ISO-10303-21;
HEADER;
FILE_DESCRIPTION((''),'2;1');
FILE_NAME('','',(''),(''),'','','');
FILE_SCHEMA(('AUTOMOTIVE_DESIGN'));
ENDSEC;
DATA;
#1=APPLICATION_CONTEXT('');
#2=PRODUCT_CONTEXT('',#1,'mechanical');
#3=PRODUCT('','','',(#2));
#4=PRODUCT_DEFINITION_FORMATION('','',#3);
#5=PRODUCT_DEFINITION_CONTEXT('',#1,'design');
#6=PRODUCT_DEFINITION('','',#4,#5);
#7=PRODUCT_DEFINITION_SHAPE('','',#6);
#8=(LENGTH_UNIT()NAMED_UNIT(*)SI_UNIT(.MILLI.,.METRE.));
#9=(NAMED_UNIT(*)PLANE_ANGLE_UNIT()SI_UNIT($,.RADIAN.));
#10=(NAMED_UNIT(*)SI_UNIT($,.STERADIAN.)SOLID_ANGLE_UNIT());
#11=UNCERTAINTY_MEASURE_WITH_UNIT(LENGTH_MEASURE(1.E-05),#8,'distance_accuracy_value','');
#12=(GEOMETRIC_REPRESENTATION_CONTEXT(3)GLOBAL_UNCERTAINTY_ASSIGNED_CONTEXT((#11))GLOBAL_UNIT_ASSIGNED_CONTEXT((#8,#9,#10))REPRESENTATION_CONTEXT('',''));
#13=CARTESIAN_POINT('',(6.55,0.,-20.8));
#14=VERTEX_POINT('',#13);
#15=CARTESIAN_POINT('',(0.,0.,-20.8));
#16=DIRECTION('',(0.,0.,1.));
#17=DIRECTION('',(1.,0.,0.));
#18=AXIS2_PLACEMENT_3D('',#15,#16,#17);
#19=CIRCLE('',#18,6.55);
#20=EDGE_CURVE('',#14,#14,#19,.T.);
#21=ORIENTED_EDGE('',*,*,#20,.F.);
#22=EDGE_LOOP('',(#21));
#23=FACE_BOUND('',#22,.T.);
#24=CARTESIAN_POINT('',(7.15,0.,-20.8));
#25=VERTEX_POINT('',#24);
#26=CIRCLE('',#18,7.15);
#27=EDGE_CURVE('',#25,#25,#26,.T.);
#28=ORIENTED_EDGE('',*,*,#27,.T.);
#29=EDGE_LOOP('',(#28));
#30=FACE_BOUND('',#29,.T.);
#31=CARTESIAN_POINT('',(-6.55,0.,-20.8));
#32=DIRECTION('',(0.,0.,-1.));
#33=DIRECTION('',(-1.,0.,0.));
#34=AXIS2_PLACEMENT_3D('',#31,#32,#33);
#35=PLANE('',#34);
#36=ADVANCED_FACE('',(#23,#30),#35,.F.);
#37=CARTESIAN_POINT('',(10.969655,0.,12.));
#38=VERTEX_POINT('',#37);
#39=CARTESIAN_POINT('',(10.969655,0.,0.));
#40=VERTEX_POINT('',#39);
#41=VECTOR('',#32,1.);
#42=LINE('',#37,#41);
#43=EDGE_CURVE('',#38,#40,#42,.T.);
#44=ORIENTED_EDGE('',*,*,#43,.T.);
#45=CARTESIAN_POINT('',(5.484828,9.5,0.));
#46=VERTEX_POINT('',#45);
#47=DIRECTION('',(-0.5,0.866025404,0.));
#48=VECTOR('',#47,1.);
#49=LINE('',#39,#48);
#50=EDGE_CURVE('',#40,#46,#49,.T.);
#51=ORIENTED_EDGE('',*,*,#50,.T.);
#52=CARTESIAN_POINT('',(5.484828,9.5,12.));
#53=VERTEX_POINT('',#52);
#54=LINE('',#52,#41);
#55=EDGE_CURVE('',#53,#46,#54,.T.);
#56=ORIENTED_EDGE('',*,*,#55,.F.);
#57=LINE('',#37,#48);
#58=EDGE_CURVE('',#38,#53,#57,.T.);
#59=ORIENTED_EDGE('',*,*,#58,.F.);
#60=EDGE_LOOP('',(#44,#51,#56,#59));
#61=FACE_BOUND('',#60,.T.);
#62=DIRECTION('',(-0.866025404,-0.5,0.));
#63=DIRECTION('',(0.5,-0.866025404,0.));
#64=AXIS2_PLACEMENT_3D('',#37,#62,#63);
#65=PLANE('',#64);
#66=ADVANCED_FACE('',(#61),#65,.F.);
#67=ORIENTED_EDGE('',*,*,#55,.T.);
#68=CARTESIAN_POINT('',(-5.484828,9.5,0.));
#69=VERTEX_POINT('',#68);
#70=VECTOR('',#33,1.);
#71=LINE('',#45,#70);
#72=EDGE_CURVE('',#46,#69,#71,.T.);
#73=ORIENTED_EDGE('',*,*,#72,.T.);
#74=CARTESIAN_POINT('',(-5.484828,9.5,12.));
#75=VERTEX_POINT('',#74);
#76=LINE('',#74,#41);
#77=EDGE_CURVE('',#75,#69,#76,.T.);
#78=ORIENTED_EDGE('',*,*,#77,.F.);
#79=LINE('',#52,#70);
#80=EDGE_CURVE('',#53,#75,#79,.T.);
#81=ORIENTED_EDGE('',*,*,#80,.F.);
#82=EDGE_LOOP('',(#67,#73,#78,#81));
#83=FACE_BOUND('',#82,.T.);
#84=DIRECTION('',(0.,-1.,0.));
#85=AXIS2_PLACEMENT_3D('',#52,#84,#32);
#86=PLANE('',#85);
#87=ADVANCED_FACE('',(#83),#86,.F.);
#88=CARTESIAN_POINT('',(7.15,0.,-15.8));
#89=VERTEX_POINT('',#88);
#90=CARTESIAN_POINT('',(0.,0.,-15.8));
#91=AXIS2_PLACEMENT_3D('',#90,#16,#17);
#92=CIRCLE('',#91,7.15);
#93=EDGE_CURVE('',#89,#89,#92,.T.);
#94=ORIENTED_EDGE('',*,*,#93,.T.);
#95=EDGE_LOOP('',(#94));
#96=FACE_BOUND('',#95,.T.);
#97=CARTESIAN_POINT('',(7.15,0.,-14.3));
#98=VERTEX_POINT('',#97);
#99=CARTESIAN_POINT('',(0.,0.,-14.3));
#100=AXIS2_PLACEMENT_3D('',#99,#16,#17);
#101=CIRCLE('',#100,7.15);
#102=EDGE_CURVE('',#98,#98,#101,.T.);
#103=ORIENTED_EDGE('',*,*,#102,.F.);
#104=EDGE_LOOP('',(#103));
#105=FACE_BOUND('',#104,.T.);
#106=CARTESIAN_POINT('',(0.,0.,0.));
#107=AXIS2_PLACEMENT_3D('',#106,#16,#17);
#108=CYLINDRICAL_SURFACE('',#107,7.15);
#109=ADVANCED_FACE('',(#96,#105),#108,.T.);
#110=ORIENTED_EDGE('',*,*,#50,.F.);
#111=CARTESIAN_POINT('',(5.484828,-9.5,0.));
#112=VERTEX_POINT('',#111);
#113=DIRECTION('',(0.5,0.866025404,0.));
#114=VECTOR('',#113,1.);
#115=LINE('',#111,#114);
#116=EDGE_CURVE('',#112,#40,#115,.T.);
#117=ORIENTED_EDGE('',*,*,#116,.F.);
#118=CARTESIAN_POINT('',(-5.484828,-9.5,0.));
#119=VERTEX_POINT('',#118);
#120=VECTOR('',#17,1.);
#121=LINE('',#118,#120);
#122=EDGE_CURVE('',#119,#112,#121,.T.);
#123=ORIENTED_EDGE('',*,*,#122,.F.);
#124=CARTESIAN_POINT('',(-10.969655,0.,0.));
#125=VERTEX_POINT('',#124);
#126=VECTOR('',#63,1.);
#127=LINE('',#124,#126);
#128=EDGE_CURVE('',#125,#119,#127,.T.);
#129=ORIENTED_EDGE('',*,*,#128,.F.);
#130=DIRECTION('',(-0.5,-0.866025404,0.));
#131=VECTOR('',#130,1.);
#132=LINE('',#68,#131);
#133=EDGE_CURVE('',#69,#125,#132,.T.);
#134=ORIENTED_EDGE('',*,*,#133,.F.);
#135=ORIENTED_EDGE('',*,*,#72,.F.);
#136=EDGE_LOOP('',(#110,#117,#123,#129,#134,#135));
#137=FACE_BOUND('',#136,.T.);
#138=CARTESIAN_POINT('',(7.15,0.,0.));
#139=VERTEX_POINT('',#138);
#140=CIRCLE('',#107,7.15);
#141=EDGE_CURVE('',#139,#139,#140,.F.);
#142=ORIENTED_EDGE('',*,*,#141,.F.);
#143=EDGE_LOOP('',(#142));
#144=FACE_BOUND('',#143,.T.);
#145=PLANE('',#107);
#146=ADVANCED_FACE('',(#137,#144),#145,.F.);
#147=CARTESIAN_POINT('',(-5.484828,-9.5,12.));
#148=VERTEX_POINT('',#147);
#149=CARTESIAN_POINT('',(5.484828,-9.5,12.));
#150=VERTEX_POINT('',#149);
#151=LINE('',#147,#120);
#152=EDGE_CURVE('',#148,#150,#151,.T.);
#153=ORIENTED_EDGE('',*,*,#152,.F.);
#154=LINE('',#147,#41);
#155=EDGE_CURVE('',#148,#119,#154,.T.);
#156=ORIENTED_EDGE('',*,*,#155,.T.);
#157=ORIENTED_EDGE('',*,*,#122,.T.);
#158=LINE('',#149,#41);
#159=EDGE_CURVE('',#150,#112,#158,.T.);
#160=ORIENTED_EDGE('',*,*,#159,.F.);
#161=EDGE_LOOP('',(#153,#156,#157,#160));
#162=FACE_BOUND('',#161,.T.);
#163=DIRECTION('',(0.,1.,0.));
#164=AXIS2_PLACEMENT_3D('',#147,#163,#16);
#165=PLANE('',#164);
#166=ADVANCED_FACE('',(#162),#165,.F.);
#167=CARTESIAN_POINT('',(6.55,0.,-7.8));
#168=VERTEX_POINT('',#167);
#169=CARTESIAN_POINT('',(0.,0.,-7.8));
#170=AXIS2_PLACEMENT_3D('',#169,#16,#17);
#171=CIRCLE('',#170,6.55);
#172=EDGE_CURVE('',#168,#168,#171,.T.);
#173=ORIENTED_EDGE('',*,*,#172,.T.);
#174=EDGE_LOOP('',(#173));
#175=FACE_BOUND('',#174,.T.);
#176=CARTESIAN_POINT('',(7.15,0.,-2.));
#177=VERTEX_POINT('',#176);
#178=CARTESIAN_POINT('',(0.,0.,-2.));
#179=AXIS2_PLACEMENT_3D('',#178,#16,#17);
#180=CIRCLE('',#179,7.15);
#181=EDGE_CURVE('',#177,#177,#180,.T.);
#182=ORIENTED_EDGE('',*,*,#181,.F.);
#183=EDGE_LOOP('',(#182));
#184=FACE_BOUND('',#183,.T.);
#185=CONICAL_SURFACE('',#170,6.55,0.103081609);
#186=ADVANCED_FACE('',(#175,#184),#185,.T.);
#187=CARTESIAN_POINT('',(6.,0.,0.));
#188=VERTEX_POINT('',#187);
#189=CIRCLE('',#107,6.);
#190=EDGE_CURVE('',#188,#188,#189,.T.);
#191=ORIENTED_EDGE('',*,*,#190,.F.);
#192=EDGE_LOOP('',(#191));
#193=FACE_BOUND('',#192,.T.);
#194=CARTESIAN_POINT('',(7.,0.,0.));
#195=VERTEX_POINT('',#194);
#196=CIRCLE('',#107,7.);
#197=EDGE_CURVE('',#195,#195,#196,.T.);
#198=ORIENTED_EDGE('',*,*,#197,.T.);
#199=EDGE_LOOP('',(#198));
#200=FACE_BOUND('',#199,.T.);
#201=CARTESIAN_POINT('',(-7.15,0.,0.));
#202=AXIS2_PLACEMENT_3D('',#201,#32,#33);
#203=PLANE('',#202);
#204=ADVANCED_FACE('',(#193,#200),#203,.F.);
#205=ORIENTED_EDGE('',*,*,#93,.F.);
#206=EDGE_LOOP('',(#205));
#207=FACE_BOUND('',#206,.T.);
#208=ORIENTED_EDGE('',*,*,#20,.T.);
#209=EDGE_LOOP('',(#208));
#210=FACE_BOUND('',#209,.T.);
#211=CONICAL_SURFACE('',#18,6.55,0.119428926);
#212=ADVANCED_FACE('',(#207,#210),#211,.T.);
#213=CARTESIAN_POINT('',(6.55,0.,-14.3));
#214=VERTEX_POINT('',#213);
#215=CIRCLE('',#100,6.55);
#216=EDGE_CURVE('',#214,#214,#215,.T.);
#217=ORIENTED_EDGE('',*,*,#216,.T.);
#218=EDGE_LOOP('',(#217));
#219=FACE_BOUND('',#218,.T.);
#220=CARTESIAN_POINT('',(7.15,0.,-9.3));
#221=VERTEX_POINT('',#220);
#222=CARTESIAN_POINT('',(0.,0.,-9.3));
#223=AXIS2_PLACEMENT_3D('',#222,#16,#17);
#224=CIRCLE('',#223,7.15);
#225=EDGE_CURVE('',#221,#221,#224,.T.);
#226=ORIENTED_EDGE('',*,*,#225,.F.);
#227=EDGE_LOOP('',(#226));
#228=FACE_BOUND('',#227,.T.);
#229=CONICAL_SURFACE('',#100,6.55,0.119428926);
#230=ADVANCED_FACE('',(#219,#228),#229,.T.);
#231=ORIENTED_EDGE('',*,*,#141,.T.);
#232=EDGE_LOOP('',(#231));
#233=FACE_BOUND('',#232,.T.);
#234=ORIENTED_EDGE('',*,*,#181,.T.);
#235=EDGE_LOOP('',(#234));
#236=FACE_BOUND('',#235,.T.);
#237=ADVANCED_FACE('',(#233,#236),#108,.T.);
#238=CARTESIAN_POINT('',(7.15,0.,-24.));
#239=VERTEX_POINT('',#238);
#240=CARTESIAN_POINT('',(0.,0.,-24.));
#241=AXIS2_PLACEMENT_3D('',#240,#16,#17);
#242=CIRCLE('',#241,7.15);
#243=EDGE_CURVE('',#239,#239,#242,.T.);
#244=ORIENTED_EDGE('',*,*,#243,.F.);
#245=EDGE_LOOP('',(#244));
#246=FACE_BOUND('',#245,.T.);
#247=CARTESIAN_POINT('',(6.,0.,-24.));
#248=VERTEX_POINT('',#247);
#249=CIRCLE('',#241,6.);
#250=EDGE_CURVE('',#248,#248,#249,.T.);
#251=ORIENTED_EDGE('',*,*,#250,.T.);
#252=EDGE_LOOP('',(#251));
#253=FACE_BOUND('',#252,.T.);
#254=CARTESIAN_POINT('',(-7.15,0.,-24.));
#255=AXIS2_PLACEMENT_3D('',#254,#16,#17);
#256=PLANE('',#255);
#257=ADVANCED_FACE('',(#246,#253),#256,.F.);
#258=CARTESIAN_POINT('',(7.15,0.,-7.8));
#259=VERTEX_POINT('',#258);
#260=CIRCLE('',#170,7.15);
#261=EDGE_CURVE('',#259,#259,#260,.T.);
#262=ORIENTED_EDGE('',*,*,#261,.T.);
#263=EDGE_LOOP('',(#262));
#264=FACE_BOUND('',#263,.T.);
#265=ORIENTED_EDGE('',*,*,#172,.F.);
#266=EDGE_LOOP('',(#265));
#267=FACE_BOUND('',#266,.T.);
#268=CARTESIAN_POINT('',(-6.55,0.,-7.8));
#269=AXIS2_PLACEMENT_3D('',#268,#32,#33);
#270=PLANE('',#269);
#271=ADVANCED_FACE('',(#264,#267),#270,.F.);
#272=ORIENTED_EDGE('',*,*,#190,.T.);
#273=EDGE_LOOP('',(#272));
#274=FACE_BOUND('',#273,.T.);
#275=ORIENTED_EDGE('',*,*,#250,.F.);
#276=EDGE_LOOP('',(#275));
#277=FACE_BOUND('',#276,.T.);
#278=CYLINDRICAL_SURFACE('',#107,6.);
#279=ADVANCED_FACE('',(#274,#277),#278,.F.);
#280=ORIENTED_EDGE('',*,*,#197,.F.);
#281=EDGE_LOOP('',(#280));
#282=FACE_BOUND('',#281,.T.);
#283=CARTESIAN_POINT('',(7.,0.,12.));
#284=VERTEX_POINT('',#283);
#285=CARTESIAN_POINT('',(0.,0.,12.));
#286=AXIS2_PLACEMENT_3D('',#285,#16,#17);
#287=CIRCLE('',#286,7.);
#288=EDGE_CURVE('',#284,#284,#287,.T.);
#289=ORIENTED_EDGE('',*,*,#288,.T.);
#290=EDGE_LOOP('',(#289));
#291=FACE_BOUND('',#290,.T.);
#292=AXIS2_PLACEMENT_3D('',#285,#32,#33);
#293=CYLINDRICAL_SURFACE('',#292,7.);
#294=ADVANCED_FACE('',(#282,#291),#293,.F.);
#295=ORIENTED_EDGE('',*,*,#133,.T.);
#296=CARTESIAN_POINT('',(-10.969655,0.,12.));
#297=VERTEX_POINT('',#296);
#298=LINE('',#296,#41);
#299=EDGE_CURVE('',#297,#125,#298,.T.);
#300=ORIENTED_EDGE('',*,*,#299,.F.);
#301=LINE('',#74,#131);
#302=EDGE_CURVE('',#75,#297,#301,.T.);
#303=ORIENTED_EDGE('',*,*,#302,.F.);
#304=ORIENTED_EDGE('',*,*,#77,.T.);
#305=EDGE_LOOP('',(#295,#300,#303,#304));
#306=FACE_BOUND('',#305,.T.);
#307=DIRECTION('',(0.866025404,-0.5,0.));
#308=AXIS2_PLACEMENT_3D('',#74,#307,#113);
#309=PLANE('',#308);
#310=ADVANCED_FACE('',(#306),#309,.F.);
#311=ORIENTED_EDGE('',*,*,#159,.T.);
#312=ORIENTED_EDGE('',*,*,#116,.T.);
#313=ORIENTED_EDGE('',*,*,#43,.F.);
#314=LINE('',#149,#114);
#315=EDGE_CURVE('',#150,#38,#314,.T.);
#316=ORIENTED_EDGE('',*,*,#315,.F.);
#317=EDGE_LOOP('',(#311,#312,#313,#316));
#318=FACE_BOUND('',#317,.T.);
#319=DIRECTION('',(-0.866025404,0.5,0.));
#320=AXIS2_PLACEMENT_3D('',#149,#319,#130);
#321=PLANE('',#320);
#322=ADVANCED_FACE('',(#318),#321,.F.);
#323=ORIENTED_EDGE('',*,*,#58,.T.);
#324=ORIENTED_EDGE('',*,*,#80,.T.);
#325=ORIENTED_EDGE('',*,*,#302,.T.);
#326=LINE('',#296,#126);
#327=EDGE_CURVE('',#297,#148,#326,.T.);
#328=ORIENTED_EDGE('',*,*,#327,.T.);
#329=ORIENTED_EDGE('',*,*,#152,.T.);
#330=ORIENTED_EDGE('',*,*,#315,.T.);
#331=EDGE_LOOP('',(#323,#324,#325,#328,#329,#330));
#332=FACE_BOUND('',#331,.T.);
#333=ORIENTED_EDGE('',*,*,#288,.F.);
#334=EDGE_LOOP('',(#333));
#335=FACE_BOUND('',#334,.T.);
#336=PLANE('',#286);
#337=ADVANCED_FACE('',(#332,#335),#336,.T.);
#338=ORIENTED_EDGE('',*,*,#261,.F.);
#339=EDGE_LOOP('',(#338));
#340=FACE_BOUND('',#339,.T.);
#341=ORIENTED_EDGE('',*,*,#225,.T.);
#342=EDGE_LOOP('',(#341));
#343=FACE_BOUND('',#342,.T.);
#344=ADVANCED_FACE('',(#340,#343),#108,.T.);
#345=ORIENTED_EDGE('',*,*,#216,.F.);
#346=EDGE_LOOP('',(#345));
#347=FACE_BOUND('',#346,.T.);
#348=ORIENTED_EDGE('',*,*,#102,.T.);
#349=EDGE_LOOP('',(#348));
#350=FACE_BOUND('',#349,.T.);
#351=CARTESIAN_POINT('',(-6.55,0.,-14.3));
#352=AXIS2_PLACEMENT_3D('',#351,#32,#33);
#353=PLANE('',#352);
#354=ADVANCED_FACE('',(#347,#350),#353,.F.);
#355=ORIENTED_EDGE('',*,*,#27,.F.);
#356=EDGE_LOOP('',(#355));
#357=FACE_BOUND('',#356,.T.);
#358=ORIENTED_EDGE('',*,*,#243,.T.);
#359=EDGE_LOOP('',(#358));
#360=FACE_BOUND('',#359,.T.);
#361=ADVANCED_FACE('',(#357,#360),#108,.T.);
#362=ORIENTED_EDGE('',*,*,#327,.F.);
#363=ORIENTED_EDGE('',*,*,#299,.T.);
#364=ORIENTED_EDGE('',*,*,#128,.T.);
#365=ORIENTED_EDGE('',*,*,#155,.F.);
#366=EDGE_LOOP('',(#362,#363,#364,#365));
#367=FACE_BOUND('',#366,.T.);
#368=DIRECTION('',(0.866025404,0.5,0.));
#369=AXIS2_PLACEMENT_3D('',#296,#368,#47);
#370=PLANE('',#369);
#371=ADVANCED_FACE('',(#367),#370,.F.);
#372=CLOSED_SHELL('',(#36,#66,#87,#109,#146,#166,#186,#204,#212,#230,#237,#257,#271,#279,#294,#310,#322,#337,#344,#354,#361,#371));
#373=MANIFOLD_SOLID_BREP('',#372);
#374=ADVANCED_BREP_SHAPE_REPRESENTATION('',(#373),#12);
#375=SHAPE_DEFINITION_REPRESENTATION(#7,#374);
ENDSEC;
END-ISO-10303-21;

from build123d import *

# Parameters (mm, degrees)
SKETCH_1_R      = 7
EXTRUDE_1_DEPTH = 12


with BuildPart() as part:
    # 草图1 → 凸台-拉伸1 (new body)
    with BuildSketch(Plane.XY):
        Polygon((5.484827557, 9.5), (-5.484827557, 9.5), (-10.969655115, 0), (-5.484827557, -9.5), (5.484827557, -9.5), (10.969655115, 0), align=None)
        Circle(SKETCH_1_R, mode=Mode.SUBTRACT)
    extrude(amount=EXTRUDE_1_DEPTH)

    # 草图2 → 旋转1 (revolve)
    with BuildSketch(Plane(origin=(0, 0, 0), x_dir=(1, 0, 0), z_dir=(0, 1, 0)), mode=Mode.PRIVATE) as revolve_1_sk:
        Polygon((-7.15, 0), (-7.15, 2), (-6.55, 7.8), (-7.15, 7.8), (-7.15, 9.3), (-6.55, 14.3), (-7.15, 14.3), (-7.15, 15.8), (-6.55, 20.8), (-7.15, 20.8), (-7.15, 24), (-6, 24), (-6, 0), align=None)
    revolve(revolve_1_sk.sketch.rotate(Axis((0, 0, 0), (0, 0, -1)), 180), axis=Axis((0, 0, 0), (0, 0, -1)))


solid = part.part
